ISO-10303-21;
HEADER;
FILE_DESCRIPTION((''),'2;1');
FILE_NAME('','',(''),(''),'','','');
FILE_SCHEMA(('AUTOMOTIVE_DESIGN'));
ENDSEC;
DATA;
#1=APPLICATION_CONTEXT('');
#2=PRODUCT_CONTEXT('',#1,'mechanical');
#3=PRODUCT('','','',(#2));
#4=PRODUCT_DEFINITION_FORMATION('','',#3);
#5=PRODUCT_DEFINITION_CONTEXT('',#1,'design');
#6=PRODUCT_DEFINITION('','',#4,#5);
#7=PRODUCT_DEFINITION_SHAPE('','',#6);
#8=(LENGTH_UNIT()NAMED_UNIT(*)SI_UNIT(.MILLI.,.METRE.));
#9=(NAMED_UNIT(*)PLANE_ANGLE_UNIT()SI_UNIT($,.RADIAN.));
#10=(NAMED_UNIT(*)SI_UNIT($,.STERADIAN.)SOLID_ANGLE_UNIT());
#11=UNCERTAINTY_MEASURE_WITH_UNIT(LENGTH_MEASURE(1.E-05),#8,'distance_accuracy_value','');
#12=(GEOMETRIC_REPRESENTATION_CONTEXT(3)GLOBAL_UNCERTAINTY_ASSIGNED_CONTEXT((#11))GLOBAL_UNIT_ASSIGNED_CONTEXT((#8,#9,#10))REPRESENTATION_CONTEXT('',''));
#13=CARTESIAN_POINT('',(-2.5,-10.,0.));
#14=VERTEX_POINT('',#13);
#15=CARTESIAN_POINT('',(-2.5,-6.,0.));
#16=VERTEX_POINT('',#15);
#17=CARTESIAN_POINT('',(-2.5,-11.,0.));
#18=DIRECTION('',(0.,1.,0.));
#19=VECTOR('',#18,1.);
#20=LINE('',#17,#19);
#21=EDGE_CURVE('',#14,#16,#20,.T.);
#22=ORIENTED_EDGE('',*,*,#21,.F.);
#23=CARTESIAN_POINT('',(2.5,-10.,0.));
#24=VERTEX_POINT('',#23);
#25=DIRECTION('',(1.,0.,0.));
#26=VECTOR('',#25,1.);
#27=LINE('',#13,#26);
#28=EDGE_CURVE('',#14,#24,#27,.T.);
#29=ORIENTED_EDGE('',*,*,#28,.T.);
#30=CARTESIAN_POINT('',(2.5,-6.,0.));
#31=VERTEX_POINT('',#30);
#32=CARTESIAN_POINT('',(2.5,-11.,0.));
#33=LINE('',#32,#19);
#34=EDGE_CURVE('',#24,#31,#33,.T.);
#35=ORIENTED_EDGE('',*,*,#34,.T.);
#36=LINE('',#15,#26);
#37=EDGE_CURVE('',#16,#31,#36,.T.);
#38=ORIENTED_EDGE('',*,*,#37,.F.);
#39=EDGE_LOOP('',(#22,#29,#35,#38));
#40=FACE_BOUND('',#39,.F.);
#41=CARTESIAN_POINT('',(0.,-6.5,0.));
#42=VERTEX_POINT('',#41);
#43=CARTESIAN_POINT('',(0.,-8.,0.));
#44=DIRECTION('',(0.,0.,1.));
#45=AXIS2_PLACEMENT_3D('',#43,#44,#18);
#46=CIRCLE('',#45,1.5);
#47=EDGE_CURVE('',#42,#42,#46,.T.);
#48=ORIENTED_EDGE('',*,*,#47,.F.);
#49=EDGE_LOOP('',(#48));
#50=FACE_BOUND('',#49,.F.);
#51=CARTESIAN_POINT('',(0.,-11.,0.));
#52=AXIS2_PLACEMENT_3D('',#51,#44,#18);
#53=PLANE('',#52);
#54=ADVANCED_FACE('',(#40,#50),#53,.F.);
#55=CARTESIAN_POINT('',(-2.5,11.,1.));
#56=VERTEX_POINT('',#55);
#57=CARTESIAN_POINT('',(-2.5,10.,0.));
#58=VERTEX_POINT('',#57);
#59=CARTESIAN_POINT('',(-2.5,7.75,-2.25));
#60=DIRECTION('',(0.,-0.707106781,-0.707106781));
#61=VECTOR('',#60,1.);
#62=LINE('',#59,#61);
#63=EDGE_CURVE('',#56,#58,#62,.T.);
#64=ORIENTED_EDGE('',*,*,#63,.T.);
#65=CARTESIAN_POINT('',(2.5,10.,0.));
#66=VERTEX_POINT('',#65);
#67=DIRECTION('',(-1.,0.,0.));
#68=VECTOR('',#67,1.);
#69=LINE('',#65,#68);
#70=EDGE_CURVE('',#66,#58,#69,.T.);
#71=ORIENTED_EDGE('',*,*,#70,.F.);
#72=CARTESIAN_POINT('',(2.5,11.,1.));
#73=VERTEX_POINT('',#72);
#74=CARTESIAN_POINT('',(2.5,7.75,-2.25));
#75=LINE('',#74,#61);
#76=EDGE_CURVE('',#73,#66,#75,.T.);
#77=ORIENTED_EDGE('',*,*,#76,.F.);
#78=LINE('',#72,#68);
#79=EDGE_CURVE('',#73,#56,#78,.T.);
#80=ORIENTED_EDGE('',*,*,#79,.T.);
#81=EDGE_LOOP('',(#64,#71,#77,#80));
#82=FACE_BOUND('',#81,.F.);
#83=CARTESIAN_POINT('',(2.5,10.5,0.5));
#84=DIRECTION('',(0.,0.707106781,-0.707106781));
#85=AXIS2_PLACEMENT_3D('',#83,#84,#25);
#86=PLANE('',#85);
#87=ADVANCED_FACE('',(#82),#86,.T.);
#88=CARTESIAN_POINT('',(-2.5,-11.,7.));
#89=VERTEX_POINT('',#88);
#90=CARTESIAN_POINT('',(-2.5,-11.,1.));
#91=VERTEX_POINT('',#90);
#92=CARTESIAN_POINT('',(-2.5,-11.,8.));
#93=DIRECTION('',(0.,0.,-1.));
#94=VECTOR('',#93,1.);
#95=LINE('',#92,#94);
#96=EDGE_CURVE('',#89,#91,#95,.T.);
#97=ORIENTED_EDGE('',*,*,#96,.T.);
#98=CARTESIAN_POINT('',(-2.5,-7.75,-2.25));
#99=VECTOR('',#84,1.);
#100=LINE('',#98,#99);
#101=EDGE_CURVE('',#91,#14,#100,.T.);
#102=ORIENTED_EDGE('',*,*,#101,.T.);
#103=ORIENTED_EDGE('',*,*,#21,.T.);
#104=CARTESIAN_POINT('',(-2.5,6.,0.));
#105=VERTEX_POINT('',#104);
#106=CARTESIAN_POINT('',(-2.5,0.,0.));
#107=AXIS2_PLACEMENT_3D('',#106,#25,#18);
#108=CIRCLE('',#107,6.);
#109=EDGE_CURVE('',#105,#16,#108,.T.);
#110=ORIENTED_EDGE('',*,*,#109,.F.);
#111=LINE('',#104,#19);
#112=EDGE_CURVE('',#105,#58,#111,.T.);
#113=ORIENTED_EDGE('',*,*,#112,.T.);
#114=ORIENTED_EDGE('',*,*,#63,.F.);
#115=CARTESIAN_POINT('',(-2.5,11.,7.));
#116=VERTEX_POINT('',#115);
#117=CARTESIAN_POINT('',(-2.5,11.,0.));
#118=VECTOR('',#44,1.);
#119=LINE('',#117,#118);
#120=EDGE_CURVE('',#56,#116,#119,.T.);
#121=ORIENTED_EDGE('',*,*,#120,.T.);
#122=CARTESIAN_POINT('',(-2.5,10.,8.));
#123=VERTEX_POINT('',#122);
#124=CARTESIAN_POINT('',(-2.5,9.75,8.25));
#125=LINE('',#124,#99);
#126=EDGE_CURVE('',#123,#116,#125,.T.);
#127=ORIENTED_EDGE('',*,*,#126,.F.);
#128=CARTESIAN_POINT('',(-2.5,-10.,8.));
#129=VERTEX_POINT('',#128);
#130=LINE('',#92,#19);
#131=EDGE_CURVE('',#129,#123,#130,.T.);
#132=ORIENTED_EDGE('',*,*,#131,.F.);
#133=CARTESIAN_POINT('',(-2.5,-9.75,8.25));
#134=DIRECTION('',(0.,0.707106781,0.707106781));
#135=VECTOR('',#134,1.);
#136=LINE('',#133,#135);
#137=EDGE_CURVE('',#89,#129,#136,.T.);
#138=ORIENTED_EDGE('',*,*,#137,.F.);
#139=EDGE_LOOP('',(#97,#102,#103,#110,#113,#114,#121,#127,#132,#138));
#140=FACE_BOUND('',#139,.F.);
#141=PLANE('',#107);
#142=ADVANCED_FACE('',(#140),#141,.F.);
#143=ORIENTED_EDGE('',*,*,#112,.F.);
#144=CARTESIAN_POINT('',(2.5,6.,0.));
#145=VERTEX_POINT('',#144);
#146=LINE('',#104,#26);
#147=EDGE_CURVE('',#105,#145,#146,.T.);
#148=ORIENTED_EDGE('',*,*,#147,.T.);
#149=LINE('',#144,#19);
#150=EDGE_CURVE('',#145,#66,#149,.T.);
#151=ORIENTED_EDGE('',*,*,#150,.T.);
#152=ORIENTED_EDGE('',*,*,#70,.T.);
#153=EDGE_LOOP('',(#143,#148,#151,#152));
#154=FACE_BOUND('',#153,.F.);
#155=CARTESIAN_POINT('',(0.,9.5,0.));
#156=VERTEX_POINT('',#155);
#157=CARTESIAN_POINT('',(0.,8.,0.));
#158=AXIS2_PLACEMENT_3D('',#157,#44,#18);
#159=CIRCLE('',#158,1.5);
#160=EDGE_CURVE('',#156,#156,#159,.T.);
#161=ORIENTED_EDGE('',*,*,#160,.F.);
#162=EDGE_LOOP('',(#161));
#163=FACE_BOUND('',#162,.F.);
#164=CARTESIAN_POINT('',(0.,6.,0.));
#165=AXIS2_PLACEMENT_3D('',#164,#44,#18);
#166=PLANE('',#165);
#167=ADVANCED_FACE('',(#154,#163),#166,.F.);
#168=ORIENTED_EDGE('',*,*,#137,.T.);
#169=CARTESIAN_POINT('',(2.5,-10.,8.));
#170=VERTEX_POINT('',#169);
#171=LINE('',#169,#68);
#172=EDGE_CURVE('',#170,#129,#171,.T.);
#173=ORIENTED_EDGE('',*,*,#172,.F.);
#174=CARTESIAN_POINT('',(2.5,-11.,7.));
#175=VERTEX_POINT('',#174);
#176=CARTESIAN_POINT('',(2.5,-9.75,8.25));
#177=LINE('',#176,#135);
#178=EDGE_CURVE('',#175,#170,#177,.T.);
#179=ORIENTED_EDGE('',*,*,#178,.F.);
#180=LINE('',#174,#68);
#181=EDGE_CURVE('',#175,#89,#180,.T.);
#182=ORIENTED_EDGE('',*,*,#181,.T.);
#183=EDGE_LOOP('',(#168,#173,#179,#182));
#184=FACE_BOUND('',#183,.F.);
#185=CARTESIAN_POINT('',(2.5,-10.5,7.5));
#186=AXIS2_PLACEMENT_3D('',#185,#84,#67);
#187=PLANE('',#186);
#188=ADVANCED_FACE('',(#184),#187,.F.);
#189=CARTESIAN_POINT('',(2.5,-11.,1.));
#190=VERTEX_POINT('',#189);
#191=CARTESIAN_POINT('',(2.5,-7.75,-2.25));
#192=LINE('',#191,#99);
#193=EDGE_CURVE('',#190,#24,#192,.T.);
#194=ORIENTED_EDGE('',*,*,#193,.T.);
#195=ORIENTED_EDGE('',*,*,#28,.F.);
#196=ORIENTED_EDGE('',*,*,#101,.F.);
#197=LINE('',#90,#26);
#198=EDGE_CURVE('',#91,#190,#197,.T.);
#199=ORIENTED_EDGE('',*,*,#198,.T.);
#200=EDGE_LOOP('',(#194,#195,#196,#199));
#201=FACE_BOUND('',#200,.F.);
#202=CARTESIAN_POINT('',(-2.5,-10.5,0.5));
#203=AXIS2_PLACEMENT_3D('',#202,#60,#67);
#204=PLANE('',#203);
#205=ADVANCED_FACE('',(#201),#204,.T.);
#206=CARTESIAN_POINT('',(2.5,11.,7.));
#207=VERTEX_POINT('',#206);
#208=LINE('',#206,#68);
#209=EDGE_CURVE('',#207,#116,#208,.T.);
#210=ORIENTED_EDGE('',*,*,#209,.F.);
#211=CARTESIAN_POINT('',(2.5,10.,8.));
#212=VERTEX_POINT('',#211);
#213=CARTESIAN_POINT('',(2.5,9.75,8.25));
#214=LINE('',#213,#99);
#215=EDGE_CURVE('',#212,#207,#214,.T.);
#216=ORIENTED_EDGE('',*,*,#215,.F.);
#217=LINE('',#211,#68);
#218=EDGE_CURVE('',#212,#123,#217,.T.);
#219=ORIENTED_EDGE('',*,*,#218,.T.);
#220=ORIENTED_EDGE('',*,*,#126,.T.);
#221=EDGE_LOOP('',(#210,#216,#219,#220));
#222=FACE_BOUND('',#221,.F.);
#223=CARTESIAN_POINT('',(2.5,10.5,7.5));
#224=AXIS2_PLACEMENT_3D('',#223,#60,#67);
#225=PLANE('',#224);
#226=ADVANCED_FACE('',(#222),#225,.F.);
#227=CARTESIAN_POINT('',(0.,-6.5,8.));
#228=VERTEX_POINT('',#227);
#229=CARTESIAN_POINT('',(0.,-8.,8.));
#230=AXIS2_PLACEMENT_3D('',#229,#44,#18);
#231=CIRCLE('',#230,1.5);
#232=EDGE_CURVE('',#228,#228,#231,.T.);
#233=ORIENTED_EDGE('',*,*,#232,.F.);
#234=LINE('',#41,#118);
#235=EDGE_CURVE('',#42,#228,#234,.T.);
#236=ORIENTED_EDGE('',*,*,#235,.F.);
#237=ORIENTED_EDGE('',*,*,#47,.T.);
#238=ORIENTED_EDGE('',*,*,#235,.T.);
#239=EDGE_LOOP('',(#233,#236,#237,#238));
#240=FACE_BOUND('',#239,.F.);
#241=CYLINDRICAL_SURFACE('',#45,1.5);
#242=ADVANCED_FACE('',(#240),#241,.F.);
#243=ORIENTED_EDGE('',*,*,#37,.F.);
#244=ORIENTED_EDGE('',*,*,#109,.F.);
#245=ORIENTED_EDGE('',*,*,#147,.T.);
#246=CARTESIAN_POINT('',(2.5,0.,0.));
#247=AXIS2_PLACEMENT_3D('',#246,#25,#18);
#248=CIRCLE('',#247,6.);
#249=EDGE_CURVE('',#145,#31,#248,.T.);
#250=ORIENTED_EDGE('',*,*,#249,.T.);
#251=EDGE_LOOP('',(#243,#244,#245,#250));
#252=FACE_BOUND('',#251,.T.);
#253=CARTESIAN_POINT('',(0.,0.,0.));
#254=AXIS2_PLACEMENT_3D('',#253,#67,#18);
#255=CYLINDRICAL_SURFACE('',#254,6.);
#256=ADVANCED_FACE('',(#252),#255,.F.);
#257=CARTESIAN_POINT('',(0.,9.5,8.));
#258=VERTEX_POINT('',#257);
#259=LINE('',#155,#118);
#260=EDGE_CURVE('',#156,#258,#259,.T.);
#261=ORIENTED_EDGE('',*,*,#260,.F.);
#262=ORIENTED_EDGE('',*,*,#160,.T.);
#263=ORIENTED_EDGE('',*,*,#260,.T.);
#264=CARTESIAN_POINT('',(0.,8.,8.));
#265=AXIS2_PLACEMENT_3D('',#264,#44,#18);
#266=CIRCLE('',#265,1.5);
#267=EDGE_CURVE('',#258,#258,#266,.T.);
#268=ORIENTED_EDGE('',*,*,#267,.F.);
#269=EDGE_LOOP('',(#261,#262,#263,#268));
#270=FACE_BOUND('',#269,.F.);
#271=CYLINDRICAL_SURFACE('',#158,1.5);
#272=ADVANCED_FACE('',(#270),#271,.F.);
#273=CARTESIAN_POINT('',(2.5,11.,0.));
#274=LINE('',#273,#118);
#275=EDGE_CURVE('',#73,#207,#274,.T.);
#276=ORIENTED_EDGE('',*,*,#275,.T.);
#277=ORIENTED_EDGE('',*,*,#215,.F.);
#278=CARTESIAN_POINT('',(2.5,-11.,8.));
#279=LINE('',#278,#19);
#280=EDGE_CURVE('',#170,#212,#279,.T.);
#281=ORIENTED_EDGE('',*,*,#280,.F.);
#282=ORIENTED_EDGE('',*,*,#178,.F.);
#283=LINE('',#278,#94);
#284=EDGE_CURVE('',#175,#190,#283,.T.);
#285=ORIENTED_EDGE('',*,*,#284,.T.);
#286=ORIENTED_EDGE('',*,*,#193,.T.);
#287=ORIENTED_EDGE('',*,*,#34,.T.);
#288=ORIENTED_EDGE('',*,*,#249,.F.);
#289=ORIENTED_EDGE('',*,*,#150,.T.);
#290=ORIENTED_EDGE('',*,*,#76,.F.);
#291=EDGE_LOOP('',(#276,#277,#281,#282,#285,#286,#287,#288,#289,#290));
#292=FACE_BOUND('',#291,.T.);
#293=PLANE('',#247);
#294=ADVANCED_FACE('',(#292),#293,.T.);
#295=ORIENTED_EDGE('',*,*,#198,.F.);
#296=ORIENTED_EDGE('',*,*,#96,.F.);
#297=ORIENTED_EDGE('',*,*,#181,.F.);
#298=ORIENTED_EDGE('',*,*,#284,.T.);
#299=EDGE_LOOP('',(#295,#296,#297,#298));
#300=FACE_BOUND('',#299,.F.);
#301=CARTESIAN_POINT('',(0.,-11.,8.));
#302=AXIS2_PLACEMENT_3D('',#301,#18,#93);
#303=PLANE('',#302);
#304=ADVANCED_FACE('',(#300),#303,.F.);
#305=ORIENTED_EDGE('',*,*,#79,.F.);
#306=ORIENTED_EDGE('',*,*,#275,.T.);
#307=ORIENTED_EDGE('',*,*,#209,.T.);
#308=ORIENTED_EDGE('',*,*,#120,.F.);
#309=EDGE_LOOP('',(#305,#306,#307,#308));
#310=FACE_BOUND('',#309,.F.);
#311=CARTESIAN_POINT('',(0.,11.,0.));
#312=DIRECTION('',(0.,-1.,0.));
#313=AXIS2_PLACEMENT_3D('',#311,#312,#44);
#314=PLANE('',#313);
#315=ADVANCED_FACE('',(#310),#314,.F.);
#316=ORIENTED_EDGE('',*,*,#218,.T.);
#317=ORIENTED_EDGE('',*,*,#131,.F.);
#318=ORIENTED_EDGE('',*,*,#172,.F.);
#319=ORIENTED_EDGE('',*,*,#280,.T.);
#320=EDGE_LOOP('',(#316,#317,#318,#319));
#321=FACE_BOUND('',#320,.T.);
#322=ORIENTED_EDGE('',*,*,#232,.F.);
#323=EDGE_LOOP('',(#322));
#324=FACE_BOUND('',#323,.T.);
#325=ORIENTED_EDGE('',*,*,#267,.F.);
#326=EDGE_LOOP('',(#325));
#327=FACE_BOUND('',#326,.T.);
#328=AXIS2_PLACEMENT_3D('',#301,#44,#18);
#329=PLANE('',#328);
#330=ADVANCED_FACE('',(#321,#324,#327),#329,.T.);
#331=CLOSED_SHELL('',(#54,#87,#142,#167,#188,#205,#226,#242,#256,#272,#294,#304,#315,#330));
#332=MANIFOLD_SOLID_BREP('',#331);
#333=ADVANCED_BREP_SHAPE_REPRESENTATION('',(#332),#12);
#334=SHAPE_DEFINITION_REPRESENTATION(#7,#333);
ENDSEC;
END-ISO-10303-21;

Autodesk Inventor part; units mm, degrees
ref_plane "YZ Plane" through (0, 0, 0) normal (1, 0, 0) x (0, 1, 0)
ref_plane "XY Plane" through (0, 0, 0) normal (0, 0, 1) x (1, 0, 0)
sketch "Skizze1" plane through (0, 0, 0) normal (1, 0, 0) x (0, 1, 0)
  line L0 (-11, 0) -> (-6, 0)
  arc A0 (6, 0) -> (-6, 0) centre (0, 0) ccw
  line L1 (6, 0) -> (11, 0)
  line L2 (11, 0) -> (11, 8)
  line L3 (-11, 8) -> (-11, 0)
  line L4 (-11, 8) -> (11, 8)
  point P0 (0, 0)
  dimension "d2" = 6
  dimension "d18" = 22
  dimension "d26" = 8
extrude "Extrusion1" add sketch "Skizze1" along normal mid plane 5
ref_plane "Arbeitsebene2" through (0, 0, 0) normal (1, 0, 0) x (0, 0, -1)
sketch "Skizze5" plane through (2.5, -6, 0) normal (0, 0, -1) x (-1, 0, 0)
  line L0 (2.5, 6) -> (-2.4006, 6) construction
  line L1 (0, -5) -> (0, 0) projected
  point P0 (2.5, -2)
  point P1 (2.5, 14)
  dimension "d27" = 16
  dimension "d28" = 2.5
hole "Bohrung2" at (0, -8, 0) at (0, 8, 0) direction (0, 0, 1) diameter 3 end through all
chamfer "Fase1" distance 1 angle 45 4 edges at (0, -11, 8) (0, 11, 8) (0, 11, 0) (0, -11, 0)
properties part number "Halterung_Motor" material "ABS-Kunststoff"
